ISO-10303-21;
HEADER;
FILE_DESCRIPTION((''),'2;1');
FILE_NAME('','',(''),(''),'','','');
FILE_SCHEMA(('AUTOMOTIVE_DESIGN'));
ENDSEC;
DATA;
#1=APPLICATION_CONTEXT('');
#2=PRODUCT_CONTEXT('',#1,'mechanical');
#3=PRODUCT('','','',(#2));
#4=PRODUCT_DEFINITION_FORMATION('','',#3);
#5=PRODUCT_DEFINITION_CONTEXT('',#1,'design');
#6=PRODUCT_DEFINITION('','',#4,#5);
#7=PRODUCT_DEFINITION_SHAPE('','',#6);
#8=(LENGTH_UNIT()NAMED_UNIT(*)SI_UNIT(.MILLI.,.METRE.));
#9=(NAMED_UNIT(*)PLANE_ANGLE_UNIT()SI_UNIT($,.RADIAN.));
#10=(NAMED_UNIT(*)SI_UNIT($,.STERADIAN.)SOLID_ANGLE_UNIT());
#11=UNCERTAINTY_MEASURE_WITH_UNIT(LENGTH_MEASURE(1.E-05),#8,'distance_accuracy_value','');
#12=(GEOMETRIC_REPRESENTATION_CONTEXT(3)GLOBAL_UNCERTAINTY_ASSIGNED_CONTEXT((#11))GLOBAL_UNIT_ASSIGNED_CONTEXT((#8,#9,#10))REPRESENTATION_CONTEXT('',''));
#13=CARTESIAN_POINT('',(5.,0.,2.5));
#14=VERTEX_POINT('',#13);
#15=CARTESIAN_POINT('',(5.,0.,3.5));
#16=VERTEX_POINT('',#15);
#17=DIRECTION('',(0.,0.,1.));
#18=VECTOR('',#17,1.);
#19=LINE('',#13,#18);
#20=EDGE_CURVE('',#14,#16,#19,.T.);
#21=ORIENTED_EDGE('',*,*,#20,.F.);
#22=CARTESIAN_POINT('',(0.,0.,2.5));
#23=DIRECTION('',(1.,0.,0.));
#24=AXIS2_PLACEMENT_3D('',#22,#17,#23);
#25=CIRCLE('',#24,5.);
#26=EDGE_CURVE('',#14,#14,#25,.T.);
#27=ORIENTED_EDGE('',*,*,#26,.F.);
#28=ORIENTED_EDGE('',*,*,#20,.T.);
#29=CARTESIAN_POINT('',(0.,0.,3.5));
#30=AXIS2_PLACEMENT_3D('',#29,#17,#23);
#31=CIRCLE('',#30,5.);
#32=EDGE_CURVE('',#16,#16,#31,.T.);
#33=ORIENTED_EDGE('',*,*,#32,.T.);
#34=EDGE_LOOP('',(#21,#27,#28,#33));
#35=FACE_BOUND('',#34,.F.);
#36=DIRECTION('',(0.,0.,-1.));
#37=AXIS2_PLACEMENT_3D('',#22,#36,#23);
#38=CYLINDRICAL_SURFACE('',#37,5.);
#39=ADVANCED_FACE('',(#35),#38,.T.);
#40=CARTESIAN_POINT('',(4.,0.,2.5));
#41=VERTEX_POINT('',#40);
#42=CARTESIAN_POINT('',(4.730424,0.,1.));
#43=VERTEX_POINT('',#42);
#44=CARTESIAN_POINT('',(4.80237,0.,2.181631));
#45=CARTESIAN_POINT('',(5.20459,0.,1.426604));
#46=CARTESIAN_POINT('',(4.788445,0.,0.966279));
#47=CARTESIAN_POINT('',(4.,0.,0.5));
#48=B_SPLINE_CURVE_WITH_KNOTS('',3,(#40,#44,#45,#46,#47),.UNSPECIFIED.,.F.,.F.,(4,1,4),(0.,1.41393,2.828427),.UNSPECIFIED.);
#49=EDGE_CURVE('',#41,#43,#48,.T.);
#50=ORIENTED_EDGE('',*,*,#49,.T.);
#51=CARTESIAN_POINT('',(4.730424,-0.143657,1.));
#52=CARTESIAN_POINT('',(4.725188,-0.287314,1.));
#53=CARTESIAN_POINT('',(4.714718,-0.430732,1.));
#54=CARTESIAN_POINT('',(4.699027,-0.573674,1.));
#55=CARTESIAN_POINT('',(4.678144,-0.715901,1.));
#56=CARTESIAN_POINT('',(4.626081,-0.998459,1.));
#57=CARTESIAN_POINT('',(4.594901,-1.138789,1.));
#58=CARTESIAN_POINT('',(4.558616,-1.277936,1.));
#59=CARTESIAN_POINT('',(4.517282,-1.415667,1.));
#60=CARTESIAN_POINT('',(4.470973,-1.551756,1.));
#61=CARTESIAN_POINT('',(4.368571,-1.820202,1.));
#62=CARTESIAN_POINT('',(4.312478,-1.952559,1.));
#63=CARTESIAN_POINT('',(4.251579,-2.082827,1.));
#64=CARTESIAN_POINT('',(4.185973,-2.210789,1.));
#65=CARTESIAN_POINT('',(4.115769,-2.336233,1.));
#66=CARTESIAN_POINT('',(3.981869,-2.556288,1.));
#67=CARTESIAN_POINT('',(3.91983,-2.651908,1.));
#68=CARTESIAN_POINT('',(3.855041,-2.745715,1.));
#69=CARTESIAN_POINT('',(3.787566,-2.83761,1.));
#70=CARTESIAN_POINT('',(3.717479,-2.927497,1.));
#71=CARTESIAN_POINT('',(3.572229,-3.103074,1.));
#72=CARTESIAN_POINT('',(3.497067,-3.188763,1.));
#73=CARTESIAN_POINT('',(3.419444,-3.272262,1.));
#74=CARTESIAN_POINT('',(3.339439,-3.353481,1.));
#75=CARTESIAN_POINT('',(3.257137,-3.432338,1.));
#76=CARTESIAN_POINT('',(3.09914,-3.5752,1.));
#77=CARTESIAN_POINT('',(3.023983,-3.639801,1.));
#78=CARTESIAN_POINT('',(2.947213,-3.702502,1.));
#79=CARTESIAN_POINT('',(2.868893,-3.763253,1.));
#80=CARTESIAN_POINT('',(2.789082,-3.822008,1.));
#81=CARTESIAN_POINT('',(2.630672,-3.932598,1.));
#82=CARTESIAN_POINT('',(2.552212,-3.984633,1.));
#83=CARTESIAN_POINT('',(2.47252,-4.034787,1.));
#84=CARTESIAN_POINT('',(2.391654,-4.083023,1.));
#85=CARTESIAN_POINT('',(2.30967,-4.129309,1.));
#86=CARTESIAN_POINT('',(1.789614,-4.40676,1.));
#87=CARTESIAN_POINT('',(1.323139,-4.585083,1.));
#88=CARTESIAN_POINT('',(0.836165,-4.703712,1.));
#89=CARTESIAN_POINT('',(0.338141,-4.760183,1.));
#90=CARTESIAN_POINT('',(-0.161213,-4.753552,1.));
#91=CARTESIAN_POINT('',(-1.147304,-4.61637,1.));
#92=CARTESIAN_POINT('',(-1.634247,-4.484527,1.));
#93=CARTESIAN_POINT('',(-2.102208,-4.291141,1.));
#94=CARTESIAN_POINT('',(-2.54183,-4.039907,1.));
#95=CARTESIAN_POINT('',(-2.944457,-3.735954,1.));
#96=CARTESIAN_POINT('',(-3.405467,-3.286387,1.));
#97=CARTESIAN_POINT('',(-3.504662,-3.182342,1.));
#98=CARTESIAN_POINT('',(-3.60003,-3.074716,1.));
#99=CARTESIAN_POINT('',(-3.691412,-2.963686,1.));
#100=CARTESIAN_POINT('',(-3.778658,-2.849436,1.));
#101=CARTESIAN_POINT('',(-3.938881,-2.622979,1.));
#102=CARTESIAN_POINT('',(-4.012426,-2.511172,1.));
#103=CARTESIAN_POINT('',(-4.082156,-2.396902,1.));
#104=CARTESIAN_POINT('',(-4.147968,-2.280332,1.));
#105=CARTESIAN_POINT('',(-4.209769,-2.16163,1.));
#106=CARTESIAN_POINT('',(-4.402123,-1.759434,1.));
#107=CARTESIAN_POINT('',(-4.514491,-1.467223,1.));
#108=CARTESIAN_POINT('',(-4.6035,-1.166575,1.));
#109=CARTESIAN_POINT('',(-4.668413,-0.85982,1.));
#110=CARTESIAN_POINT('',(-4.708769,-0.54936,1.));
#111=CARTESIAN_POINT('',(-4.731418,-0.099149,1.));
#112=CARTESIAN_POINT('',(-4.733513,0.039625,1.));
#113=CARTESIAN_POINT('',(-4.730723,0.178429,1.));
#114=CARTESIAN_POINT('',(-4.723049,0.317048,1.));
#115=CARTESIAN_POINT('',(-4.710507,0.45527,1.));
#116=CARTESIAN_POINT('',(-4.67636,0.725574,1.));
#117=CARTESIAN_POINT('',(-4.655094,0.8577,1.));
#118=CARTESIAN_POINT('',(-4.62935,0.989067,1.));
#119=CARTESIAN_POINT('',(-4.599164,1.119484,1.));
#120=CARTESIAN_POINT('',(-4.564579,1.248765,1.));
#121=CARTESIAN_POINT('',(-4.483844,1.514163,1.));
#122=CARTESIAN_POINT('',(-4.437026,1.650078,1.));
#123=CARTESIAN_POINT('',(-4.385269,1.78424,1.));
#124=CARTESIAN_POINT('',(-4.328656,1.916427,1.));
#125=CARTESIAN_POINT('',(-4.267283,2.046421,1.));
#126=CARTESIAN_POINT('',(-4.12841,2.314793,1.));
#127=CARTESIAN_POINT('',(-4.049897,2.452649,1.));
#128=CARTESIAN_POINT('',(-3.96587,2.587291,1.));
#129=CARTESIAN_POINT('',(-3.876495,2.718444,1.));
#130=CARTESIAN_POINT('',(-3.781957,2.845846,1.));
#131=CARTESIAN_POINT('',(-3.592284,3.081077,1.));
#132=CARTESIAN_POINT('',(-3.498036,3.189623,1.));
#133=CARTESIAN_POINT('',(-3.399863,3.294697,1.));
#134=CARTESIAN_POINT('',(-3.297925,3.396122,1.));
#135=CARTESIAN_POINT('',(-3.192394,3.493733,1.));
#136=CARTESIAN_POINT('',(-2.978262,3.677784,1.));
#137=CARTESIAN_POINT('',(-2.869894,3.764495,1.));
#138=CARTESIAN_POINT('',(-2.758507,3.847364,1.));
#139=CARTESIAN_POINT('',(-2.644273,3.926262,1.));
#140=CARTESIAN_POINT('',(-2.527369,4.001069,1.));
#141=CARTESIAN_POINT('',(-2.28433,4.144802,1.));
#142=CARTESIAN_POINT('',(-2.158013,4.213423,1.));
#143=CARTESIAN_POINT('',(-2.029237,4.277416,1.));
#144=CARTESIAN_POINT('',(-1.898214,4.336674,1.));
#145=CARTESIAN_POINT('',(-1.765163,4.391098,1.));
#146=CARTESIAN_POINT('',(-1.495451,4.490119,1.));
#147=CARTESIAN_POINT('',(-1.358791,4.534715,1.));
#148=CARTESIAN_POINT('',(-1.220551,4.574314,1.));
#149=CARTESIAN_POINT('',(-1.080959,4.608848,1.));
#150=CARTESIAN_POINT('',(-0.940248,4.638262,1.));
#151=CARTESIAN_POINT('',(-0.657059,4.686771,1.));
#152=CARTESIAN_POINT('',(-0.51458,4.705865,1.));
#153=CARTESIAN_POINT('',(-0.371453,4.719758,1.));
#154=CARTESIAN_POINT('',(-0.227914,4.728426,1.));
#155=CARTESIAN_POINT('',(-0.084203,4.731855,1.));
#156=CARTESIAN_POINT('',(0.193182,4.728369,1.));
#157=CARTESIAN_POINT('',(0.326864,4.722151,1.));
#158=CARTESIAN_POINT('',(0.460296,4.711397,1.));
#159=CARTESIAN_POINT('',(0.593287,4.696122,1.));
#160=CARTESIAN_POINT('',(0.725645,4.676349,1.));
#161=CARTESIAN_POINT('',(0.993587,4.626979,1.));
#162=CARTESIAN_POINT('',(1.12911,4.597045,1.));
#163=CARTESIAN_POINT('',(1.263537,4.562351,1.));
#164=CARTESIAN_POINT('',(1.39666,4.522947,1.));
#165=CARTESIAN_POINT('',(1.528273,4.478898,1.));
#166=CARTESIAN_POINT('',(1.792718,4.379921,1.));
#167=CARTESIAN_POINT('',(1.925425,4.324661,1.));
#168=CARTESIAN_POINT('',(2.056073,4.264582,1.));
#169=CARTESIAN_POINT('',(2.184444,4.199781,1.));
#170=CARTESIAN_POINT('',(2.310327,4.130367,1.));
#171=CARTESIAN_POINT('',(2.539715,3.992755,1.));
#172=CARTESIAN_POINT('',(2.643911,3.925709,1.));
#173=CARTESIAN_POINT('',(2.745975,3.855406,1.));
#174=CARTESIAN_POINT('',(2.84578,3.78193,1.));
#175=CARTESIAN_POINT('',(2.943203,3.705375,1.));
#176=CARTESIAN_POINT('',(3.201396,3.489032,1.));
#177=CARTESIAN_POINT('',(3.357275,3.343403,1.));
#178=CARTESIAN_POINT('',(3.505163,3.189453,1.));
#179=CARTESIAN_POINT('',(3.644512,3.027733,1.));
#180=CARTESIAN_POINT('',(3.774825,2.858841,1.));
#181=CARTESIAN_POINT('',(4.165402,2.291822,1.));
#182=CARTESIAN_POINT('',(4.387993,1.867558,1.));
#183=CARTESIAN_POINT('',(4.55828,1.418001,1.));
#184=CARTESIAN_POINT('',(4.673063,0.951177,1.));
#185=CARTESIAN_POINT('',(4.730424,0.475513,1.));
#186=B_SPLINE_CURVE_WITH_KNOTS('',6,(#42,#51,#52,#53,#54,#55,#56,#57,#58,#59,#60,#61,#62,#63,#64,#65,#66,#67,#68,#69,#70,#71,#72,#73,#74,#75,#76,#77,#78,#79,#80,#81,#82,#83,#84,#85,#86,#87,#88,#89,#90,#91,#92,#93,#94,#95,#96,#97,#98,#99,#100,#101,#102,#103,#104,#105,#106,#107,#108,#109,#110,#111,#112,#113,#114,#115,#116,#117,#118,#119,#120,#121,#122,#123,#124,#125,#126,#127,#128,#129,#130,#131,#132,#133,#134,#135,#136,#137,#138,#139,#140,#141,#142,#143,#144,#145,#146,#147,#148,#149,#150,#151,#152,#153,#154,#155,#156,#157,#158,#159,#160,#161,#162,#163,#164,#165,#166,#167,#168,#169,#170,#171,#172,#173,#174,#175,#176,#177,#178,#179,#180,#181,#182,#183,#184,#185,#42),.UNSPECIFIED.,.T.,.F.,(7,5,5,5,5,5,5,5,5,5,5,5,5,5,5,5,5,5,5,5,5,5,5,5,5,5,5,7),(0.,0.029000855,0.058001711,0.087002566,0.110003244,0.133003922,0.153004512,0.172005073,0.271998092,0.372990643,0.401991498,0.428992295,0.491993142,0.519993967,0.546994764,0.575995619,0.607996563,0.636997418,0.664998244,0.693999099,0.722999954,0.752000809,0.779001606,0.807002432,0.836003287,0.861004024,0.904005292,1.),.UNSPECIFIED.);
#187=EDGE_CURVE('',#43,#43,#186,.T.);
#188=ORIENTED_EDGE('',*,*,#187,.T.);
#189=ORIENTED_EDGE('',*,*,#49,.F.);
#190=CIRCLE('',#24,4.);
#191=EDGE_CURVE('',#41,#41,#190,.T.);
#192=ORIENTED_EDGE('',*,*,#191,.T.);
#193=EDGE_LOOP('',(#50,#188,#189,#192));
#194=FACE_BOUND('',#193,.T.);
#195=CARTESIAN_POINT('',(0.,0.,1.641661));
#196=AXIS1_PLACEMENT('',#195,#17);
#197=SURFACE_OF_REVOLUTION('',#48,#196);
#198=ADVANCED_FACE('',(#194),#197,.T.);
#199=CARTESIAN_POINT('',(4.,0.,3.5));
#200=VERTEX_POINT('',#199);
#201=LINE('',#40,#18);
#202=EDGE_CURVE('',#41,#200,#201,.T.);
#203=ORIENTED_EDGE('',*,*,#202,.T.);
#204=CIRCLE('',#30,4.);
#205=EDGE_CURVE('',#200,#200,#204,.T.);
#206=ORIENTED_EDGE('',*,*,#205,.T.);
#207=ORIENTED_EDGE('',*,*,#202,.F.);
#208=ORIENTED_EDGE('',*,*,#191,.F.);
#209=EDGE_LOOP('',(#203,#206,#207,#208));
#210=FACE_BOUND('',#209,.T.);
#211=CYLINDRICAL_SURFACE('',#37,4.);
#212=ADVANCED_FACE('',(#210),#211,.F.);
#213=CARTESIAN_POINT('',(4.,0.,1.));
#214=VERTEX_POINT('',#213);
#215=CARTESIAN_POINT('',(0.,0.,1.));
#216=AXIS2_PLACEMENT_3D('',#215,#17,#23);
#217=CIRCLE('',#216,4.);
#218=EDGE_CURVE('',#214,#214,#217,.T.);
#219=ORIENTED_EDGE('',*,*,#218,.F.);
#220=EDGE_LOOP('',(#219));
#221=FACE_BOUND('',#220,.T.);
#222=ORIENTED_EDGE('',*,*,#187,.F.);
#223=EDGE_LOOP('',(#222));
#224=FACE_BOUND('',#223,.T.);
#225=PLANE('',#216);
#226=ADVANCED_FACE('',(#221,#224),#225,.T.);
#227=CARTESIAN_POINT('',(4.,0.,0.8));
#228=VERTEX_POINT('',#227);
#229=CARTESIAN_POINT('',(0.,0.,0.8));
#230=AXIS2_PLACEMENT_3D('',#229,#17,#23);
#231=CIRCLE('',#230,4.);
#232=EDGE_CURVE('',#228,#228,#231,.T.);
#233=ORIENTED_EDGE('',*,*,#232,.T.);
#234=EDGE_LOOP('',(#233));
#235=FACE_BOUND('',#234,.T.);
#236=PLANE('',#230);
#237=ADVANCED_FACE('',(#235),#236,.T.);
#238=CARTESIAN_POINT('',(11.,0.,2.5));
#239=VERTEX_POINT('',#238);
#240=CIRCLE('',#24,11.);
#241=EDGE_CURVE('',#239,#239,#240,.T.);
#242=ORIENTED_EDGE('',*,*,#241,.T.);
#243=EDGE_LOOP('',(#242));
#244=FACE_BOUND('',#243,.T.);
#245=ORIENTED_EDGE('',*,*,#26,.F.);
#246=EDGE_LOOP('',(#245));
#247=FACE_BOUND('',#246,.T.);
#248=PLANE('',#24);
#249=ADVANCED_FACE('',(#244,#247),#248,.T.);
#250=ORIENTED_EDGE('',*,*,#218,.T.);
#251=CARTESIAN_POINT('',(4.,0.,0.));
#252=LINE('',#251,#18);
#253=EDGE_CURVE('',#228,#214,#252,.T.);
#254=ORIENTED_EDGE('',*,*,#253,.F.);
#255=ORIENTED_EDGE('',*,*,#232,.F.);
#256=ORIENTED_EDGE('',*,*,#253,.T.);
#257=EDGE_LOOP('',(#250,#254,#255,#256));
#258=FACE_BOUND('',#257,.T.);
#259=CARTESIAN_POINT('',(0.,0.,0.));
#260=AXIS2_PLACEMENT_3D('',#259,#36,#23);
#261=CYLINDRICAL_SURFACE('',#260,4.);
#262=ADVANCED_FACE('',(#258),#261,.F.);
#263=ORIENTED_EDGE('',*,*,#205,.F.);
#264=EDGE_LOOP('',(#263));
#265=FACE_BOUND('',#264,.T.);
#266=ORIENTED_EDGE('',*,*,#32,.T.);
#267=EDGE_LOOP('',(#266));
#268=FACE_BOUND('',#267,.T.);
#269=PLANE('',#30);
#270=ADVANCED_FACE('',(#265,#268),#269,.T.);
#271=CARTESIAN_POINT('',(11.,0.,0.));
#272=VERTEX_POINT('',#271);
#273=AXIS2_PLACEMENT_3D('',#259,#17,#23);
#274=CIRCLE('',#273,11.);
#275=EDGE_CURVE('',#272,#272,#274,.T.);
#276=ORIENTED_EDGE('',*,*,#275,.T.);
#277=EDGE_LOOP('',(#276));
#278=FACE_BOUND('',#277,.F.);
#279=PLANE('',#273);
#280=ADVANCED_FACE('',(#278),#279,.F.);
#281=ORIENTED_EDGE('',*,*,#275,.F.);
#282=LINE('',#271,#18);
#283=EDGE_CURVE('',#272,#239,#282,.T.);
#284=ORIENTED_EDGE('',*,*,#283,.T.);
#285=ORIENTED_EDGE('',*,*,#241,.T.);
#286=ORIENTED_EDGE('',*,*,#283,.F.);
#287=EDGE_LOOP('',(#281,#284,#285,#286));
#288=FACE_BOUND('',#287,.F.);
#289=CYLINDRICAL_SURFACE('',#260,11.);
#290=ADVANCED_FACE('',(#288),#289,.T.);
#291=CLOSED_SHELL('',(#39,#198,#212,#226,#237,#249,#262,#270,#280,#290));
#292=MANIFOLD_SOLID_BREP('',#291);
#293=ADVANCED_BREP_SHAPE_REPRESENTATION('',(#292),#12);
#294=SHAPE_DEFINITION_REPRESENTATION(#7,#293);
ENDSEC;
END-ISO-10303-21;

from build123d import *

# Parameters (mm, degrees)
F0_R     = 11
F0_R_2   = 4
F1_DEPTH = 2.5
F0_R_3   = 3.9
F2_DEPTH = 0.8
F5_R     = 5
F5_R_2   = 4
F6_DEPTH = 1


with BuildPart() as f1:
    # F0 (on Top) → F1 (new body)
    with BuildSketch(Plane.XY):
        Circle(F0_R)
        Circle(F0_R_2, mode=Mode.SUBTRACT)
    extrude(amount=F1_DEPTH)

    # F0 (on Top) → F2 (join)
    with BuildSketch(Plane.XY):
        Circle(F0_R_2)
        Circle(F0_R_3, mode=Mode.SUBTRACT)
        Circle(F0_R_3)
    extrude(amount=F2_DEPTH)

    # F3 (on Front) → F4 (revolve, cut)
    with BuildSketch(Plane.XZ):
        with BuildLine():
            add(Edge.make_bspline(
                [(4, 2.5), (4.80237, 2.181631), (5.20459, 1.426604), (4.788445, 0.966279), (4, 0.5)],
                knots=[0, 0, 0, 0, 1.41393, 2.828427, 2.828427, 2.828427, 2.828427], degree=3))
            Line((4, 2.5), (4, 0.5))
        make_face()
    revolve(axis=Axis((0, 0, 1.641661), (0, 0, 1)), mode=Mode.SUBTRACT)

    # F5 (on face) + F0 (on Top) → F6 (join)
    with BuildSketch(Plane.XY.offset(2.5)):
        Circle(F5_R)
        Circle(F5_R_2, mode=Mode.SUBTRACT)
    with BuildSketch(Plane.XY):
        Circle(F0_R)
        Circle(F0_R_2, mode=Mode.SUBTRACT)
    extrude(amount=F6_DEPTH)


solid = f1.part
